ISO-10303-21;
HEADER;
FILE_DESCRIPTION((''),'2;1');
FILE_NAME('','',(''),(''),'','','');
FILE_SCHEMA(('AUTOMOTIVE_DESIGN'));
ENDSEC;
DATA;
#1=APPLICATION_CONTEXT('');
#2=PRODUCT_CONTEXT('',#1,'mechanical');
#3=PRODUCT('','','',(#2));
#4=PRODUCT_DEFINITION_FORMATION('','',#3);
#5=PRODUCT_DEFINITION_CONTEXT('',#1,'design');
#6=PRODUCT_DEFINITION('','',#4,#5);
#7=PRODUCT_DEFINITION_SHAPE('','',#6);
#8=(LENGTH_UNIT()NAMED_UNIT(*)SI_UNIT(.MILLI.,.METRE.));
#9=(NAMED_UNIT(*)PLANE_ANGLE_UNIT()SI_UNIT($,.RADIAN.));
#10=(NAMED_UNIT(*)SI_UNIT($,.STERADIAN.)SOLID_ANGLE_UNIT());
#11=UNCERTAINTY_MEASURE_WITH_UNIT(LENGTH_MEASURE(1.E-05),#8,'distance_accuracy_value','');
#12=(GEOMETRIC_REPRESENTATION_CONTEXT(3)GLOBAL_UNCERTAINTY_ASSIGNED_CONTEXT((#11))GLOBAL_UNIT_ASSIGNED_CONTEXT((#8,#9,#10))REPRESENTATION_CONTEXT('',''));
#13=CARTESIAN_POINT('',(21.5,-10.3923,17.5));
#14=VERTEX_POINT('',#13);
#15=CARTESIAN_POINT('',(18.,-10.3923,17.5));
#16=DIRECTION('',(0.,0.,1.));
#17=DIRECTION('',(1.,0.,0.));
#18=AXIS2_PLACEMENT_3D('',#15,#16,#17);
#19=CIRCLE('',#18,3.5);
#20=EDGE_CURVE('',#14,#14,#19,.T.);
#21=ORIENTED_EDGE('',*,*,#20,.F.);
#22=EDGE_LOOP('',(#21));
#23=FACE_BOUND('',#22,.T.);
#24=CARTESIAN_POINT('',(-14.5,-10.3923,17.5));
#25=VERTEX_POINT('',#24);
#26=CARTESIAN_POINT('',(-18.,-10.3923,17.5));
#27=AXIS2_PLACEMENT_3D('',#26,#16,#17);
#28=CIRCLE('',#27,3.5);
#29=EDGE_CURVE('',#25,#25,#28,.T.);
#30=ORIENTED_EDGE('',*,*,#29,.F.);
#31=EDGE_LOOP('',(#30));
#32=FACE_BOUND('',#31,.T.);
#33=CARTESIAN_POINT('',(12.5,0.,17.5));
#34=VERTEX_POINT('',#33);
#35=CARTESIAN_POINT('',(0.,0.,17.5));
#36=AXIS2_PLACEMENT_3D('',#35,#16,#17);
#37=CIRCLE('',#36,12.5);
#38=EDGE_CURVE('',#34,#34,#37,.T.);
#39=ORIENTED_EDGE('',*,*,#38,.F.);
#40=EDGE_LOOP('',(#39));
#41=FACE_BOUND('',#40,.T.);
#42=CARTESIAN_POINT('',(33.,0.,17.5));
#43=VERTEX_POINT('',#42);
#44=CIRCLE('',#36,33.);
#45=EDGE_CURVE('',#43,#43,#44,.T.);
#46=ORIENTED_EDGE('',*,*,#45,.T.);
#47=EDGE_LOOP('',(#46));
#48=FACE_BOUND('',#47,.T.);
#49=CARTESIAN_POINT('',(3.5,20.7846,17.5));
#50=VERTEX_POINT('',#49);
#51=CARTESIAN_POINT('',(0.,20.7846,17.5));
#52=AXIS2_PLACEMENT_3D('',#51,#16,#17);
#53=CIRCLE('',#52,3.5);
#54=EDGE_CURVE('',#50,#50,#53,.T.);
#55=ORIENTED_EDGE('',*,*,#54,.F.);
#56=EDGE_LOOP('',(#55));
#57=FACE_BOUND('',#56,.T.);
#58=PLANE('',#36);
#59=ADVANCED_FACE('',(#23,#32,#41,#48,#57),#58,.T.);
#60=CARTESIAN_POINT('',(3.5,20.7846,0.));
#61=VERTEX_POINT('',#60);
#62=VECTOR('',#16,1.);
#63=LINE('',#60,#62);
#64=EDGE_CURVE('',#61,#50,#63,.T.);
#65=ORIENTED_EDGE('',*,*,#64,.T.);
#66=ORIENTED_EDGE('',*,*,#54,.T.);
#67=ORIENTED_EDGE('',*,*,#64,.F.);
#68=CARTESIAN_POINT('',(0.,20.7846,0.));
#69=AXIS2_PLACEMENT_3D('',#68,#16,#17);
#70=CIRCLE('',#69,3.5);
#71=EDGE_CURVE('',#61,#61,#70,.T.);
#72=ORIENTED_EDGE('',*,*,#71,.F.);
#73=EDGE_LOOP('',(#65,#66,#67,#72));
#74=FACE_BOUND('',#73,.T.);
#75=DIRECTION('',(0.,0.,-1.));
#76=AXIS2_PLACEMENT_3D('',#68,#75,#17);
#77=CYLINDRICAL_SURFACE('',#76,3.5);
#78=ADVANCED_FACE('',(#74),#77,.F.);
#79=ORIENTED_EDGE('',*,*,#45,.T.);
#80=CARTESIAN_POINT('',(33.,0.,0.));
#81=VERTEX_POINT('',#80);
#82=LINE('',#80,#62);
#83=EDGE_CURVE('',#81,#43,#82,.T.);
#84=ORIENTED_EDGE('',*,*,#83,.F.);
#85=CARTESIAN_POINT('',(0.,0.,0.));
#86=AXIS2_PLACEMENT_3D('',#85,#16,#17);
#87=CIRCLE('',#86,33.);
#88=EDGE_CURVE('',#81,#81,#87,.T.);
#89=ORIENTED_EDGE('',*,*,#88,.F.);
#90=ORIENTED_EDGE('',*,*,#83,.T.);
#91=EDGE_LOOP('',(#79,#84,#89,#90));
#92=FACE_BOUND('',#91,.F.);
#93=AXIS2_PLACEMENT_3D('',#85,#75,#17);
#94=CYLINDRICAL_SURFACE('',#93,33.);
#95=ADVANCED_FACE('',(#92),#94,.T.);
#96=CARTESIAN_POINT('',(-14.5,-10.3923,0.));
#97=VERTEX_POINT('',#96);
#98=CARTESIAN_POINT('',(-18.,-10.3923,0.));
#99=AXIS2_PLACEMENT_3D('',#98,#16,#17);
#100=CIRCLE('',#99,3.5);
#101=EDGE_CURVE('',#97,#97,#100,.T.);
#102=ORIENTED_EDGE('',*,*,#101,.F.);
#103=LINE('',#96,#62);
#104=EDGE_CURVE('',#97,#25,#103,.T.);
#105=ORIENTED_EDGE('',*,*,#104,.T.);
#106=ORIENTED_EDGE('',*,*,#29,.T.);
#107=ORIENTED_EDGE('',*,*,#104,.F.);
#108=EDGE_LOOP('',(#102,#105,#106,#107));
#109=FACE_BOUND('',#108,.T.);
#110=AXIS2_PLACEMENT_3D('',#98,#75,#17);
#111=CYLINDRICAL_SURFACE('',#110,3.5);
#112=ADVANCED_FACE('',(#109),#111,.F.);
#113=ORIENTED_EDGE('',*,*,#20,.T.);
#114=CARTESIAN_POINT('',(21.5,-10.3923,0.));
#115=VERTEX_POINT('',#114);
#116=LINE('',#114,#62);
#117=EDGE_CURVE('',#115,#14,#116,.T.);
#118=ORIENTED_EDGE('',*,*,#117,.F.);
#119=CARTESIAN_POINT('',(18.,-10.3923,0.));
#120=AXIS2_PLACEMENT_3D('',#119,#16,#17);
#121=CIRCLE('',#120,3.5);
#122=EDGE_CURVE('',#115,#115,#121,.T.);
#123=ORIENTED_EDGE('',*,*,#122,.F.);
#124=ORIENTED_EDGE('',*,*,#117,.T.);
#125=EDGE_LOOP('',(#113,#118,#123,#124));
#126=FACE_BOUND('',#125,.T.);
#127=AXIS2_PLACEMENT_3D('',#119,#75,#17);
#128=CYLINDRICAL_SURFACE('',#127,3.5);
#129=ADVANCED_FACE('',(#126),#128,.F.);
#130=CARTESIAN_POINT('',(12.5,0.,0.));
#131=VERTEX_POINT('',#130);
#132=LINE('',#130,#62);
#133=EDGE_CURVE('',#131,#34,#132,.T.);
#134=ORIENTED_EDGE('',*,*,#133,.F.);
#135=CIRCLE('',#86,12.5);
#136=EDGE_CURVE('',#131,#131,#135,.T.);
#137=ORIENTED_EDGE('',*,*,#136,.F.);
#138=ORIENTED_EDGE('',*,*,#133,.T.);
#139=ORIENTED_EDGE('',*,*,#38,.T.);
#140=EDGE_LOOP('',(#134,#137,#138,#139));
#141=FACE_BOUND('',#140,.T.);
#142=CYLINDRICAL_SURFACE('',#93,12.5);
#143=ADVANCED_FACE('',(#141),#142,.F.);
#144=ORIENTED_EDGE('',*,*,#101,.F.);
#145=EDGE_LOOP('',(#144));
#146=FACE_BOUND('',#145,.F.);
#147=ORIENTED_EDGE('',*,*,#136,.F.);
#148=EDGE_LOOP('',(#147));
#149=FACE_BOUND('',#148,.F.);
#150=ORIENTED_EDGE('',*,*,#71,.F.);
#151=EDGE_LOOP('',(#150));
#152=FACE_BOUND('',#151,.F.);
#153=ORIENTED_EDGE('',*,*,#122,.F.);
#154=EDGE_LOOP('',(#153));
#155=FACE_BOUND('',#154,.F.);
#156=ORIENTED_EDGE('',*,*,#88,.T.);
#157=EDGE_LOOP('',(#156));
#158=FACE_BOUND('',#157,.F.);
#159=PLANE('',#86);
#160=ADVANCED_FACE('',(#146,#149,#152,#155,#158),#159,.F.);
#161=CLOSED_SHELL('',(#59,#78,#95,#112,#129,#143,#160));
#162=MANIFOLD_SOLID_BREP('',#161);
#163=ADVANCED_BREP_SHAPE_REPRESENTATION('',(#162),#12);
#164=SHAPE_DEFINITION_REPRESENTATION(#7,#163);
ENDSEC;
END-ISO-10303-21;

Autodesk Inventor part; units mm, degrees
ref_plane "YZ Plane" through (0, 0, 0) normal (1, 0, 0) x (0, 1, 0)
ref_plane "XZ Plane" through (0, 0, 0) normal (0, 1, 0) x (-1, 0, 0)
sketch "Sketch1" plane through (0, 0, 0) normal (0, 0, 1) x (1, 0, 0)
  circle A0 centre (0, 20.7846) radius 3.5 projected
  circle A1 centre (-18, -10.3923) radius 3.5 projected
  circle A2 centre (18, -10.3923) radius 3.5 projected
  circle A3 centre (0, 0) radius 6.75 construction
  circle A4 centre (0, 0) radius 12.5
  circle A5 centre (0, 0) radius 33 projected
  point P0 (0, 0)
  dimension "d0" = 25
ref_plane "Work Plane1" through (-191.7635, -303.2503, 17.5) normal (0, 0, -1) x (-0.1566, 0.9877, 0)
extrude "Extrusion1" add sketch "Sketch1" along normal up to surface (17.5 mm away)
properties part number "LegMotorSpacer"
